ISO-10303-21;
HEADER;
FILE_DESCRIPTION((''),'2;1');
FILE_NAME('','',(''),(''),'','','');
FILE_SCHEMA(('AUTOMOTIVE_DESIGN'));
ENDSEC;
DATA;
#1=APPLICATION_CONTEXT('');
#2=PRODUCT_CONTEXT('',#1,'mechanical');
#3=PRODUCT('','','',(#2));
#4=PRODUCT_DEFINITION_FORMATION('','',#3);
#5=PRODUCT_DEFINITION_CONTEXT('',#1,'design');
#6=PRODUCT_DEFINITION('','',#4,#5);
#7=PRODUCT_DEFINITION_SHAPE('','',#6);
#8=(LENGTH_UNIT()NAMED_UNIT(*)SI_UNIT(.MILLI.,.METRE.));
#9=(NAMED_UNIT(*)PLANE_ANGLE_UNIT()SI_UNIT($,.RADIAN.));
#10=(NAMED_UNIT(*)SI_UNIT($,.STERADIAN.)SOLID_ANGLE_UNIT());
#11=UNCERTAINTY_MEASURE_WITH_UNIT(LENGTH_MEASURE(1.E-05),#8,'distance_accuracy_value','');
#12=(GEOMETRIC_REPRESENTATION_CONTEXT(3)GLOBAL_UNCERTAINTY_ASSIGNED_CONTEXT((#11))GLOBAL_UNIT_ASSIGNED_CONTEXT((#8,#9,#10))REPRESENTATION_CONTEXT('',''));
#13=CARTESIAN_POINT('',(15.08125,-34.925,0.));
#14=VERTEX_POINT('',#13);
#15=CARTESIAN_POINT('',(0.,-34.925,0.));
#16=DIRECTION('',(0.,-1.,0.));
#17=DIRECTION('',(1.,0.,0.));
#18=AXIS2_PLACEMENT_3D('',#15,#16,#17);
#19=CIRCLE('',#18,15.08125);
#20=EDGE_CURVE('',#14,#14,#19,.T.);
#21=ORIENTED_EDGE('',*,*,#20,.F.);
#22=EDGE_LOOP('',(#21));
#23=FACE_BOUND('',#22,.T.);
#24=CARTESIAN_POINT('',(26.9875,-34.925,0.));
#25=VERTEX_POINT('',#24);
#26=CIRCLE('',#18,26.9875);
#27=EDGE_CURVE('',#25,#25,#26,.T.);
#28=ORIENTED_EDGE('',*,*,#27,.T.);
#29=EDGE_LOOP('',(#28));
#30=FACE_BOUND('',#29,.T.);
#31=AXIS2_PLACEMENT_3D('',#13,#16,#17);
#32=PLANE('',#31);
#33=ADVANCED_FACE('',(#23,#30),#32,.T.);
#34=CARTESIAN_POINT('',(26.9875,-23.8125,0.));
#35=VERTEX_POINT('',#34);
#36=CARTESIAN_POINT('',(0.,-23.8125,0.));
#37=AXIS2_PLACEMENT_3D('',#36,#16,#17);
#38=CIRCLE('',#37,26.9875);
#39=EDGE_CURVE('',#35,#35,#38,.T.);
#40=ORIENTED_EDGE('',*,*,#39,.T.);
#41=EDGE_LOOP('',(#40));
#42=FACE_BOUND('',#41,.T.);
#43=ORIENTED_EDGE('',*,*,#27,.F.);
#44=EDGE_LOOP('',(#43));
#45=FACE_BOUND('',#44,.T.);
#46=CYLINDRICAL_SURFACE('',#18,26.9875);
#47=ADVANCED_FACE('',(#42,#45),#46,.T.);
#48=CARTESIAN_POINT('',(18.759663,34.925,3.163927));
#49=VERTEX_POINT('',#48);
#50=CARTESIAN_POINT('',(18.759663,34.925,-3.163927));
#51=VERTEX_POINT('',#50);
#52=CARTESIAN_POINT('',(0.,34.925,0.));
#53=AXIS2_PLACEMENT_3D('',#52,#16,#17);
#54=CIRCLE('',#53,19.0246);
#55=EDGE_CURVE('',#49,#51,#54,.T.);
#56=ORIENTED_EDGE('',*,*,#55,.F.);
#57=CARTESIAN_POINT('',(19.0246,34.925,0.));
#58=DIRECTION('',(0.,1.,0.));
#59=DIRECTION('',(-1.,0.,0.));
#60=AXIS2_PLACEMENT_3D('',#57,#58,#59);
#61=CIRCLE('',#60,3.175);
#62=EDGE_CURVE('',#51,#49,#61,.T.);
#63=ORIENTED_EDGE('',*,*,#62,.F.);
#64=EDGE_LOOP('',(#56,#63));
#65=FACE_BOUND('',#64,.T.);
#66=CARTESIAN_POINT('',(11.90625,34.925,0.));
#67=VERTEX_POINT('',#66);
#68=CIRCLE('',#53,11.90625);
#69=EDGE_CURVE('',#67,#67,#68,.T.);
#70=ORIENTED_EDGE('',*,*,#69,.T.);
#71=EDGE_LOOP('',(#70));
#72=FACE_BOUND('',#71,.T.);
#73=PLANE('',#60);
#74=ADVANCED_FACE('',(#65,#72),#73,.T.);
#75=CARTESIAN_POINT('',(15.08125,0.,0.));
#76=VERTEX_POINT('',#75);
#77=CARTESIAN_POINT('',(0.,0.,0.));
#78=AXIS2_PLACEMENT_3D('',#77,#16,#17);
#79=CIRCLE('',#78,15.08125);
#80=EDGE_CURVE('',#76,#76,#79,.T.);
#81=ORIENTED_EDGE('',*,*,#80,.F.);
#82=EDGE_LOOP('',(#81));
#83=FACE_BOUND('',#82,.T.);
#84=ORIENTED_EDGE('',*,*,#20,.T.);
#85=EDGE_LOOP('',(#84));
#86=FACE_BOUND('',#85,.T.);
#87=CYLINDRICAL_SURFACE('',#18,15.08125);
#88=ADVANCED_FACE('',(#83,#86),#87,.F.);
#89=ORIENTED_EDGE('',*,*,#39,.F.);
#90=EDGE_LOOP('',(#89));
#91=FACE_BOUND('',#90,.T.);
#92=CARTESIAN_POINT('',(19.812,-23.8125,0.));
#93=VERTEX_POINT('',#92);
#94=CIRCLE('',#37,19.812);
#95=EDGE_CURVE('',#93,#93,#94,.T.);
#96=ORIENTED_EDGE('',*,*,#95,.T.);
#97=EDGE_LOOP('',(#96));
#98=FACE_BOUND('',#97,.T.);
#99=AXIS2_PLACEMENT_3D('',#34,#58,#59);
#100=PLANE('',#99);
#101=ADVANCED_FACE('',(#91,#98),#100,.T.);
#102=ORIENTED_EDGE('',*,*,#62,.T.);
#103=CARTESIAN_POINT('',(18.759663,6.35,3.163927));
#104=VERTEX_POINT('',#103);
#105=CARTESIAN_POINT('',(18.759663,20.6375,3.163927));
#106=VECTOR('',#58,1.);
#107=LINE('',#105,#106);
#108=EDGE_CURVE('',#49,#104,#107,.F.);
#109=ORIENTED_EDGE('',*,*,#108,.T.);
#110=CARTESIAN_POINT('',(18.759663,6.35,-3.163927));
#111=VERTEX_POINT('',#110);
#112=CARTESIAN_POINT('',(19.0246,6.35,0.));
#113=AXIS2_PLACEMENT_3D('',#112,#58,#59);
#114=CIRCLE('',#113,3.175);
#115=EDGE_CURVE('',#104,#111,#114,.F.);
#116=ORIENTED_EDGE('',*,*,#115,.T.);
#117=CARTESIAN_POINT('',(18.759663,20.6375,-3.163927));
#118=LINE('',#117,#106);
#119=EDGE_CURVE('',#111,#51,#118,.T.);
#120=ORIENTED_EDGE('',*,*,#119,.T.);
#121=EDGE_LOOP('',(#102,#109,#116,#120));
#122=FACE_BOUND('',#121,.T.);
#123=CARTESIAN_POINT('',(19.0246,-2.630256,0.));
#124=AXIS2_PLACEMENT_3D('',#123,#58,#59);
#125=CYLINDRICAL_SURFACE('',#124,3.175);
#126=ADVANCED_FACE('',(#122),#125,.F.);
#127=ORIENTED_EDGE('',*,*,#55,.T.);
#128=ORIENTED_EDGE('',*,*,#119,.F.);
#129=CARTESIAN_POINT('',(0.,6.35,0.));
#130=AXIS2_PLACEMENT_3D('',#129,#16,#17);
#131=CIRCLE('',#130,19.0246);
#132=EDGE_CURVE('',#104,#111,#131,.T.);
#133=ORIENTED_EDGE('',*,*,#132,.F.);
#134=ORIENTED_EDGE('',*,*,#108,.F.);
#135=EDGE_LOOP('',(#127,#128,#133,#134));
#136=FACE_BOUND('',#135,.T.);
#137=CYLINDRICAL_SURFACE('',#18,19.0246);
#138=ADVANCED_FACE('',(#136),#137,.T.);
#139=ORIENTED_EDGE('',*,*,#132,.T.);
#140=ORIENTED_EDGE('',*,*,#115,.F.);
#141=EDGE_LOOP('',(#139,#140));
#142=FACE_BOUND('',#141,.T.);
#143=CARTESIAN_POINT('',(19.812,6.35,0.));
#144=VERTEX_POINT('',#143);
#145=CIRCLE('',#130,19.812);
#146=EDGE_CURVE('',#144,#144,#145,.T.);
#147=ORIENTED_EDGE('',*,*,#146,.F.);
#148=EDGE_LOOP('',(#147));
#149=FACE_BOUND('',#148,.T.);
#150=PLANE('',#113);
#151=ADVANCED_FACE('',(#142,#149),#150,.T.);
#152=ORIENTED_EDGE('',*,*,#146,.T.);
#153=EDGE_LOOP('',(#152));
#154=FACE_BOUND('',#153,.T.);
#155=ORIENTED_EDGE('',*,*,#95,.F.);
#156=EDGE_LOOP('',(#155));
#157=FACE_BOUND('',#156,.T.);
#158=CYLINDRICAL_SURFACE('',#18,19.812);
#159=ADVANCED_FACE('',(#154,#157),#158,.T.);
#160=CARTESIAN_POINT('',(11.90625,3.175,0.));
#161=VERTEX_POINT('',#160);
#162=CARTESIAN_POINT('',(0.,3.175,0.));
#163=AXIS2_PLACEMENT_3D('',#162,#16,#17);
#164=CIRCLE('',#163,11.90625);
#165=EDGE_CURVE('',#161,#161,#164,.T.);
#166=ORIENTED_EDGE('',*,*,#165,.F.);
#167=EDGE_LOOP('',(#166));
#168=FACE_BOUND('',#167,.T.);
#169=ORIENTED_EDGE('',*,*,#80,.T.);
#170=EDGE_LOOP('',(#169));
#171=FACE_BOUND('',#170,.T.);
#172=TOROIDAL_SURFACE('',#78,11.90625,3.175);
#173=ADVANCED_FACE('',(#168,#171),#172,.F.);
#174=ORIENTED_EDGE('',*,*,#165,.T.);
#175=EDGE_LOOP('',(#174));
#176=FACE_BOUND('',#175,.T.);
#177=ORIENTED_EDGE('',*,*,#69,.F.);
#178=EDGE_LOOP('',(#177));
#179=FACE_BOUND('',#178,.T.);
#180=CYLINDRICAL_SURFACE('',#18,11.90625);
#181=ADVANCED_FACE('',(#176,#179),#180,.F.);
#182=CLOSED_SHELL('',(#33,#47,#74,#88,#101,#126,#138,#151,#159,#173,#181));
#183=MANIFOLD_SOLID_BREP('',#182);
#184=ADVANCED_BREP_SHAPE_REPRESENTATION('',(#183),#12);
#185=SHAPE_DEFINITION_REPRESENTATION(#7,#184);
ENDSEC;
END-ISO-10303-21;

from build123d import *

# Parameters (mm, degrees)
SKETCH2_R          = 3.175
CUT_EXTRUDE1_DEPTH = 28.575


with BuildPart() as part:
    # Sketch1 → Revolve1 (revolve)
    with BuildSketch(Plane.XY):
        with BuildLine():
            Line((15.08125, -34.925), (26.9875, -34.925))
            Line((26.9875, -34.925), (26.9875, -23.8125))
            Line((26.9875, -23.8125), (19.812, -23.8125))
            Line((19.812, -23.8125), (19.812, 6.35))
            Line((19.812, 6.35), (19.0246, 6.35))
            Line((19.0246, 6.35), (19.0246, 34.925))
            Line((19.0246, 34.925), (11.90625, 34.925))
            Line((11.90625, 34.925), (11.90625, 3.175))
            ThreePointArc((11.90625, 3.175), (14.15131403, 2.24506403), (15.08125, 0))
            Line((15.08125, 0), (15.08125, -34.925))
        make_face()
    revolve(axis=Axis((0, -34.925, 0), (0, 1, 0)))

    # Sketch2 → Cut-Extrude1 (cut)
    with BuildSketch(Plane(origin=(0, 34.925, 0), x_dir=(1, 0, 0), z_dir=(0, 1, 0))):
        with Locations((19.0246, 0)):
            Circle(SKETCH2_R)
    extrude(amount=-CUT_EXTRUDE1_DEPTH, mode=Mode.SUBTRACT)


solid = part.part
